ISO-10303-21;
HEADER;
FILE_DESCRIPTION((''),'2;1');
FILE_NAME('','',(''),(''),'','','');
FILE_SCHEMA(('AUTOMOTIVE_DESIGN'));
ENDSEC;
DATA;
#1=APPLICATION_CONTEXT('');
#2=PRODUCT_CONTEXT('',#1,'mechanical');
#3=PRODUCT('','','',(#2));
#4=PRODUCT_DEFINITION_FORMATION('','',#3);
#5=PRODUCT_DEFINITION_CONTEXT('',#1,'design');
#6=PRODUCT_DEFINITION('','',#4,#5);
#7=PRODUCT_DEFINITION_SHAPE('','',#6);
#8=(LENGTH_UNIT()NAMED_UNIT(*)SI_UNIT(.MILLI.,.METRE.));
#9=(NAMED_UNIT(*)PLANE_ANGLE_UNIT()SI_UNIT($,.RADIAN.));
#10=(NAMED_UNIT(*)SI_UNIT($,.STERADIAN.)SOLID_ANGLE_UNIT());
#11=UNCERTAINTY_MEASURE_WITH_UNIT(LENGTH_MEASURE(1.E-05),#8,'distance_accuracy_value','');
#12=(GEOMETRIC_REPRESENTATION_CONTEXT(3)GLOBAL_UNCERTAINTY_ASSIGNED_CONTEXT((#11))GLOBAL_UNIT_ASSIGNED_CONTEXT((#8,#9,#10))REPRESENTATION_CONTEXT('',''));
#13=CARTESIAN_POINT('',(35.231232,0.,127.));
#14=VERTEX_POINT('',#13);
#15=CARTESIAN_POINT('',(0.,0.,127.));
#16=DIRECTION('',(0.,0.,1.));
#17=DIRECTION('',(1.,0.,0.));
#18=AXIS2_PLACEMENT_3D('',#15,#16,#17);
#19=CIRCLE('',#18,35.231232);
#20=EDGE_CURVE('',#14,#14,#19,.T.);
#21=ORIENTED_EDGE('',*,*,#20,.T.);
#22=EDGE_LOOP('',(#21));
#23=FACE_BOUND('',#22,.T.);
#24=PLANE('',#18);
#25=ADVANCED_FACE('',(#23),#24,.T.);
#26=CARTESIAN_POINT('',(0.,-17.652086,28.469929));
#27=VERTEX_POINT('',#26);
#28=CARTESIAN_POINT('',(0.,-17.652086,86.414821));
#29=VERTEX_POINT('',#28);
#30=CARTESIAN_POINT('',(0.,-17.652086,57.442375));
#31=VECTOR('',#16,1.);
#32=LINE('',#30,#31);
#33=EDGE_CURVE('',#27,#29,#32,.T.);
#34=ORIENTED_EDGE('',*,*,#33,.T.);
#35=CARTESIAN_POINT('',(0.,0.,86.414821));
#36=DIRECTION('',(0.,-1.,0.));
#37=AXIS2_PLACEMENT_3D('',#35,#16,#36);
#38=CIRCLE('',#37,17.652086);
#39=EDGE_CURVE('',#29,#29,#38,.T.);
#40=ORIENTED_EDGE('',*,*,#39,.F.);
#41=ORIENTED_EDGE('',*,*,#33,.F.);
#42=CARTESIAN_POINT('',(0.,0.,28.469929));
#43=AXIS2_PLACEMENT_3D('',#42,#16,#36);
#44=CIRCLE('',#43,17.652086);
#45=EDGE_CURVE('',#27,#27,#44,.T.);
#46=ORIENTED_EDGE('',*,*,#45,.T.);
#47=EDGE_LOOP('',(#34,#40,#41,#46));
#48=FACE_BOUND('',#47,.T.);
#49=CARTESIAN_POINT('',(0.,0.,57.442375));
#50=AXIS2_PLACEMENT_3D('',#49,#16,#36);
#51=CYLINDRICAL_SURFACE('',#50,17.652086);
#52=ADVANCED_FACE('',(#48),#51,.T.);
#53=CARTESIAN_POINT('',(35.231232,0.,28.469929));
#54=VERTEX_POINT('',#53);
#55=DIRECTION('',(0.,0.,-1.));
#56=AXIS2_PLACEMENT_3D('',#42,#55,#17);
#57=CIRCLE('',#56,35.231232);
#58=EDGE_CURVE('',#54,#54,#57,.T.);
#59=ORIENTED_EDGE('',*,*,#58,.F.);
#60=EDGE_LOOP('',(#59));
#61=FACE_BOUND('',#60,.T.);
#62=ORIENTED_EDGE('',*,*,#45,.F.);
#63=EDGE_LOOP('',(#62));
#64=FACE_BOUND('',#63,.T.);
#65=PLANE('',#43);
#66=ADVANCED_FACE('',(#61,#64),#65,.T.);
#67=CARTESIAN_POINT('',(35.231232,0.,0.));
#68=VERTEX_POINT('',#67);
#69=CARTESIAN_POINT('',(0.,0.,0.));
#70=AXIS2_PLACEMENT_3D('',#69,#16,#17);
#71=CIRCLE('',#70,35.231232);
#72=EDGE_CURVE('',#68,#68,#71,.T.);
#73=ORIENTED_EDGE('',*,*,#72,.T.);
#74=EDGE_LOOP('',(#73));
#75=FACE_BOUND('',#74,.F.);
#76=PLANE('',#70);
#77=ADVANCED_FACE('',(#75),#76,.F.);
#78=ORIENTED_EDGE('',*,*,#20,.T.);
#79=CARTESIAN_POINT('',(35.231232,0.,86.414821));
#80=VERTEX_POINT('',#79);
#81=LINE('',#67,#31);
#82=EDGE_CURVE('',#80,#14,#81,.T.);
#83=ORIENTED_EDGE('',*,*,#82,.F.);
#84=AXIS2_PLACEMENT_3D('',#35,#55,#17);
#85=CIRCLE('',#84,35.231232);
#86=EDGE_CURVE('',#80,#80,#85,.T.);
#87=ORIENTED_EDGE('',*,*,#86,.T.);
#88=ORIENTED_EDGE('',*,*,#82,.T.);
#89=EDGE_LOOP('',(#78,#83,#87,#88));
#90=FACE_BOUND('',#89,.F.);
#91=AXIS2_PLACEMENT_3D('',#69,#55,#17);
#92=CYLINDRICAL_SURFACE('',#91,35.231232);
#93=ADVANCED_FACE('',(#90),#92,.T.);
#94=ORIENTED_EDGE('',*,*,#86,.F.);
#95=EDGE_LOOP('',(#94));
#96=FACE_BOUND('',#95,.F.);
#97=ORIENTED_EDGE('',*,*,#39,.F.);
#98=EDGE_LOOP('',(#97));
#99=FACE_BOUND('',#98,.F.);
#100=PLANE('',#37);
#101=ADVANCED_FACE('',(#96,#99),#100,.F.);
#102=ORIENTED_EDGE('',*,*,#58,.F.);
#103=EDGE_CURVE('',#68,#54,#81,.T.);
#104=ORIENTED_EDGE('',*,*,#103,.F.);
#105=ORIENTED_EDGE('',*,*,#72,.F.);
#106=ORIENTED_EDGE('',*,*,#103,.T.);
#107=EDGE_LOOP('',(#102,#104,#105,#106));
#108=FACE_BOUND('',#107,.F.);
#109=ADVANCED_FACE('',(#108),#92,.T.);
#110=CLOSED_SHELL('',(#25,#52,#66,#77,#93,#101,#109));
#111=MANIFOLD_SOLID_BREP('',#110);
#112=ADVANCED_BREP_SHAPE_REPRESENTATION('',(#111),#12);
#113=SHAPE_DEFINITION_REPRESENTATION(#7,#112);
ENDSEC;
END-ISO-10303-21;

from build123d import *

# Parameters (mm, degrees)
F0_R     = 35.231232
F1_DEPTH = 127
F2_W     = 17.652087
F2_H     = 57.944892


with BuildPart() as f1:
    # F0 (on Top) → F1 (new body)
    with BuildSketch(Plane.XY):
        Circle(F0_R)
    extrude(amount=F1_DEPTH)

    # F2 (on Right) → F4 (revolve, cut)
    with BuildSketch(Plane.YZ):
        with Locations((-26.47813, 57.442375)):
            Rectangle(F2_W, F2_H)
    revolve(axis=Axis((0, 0, 50.498489), (0, 0, 1)), mode=Mode.SUBTRACT)


solid = f1.part
